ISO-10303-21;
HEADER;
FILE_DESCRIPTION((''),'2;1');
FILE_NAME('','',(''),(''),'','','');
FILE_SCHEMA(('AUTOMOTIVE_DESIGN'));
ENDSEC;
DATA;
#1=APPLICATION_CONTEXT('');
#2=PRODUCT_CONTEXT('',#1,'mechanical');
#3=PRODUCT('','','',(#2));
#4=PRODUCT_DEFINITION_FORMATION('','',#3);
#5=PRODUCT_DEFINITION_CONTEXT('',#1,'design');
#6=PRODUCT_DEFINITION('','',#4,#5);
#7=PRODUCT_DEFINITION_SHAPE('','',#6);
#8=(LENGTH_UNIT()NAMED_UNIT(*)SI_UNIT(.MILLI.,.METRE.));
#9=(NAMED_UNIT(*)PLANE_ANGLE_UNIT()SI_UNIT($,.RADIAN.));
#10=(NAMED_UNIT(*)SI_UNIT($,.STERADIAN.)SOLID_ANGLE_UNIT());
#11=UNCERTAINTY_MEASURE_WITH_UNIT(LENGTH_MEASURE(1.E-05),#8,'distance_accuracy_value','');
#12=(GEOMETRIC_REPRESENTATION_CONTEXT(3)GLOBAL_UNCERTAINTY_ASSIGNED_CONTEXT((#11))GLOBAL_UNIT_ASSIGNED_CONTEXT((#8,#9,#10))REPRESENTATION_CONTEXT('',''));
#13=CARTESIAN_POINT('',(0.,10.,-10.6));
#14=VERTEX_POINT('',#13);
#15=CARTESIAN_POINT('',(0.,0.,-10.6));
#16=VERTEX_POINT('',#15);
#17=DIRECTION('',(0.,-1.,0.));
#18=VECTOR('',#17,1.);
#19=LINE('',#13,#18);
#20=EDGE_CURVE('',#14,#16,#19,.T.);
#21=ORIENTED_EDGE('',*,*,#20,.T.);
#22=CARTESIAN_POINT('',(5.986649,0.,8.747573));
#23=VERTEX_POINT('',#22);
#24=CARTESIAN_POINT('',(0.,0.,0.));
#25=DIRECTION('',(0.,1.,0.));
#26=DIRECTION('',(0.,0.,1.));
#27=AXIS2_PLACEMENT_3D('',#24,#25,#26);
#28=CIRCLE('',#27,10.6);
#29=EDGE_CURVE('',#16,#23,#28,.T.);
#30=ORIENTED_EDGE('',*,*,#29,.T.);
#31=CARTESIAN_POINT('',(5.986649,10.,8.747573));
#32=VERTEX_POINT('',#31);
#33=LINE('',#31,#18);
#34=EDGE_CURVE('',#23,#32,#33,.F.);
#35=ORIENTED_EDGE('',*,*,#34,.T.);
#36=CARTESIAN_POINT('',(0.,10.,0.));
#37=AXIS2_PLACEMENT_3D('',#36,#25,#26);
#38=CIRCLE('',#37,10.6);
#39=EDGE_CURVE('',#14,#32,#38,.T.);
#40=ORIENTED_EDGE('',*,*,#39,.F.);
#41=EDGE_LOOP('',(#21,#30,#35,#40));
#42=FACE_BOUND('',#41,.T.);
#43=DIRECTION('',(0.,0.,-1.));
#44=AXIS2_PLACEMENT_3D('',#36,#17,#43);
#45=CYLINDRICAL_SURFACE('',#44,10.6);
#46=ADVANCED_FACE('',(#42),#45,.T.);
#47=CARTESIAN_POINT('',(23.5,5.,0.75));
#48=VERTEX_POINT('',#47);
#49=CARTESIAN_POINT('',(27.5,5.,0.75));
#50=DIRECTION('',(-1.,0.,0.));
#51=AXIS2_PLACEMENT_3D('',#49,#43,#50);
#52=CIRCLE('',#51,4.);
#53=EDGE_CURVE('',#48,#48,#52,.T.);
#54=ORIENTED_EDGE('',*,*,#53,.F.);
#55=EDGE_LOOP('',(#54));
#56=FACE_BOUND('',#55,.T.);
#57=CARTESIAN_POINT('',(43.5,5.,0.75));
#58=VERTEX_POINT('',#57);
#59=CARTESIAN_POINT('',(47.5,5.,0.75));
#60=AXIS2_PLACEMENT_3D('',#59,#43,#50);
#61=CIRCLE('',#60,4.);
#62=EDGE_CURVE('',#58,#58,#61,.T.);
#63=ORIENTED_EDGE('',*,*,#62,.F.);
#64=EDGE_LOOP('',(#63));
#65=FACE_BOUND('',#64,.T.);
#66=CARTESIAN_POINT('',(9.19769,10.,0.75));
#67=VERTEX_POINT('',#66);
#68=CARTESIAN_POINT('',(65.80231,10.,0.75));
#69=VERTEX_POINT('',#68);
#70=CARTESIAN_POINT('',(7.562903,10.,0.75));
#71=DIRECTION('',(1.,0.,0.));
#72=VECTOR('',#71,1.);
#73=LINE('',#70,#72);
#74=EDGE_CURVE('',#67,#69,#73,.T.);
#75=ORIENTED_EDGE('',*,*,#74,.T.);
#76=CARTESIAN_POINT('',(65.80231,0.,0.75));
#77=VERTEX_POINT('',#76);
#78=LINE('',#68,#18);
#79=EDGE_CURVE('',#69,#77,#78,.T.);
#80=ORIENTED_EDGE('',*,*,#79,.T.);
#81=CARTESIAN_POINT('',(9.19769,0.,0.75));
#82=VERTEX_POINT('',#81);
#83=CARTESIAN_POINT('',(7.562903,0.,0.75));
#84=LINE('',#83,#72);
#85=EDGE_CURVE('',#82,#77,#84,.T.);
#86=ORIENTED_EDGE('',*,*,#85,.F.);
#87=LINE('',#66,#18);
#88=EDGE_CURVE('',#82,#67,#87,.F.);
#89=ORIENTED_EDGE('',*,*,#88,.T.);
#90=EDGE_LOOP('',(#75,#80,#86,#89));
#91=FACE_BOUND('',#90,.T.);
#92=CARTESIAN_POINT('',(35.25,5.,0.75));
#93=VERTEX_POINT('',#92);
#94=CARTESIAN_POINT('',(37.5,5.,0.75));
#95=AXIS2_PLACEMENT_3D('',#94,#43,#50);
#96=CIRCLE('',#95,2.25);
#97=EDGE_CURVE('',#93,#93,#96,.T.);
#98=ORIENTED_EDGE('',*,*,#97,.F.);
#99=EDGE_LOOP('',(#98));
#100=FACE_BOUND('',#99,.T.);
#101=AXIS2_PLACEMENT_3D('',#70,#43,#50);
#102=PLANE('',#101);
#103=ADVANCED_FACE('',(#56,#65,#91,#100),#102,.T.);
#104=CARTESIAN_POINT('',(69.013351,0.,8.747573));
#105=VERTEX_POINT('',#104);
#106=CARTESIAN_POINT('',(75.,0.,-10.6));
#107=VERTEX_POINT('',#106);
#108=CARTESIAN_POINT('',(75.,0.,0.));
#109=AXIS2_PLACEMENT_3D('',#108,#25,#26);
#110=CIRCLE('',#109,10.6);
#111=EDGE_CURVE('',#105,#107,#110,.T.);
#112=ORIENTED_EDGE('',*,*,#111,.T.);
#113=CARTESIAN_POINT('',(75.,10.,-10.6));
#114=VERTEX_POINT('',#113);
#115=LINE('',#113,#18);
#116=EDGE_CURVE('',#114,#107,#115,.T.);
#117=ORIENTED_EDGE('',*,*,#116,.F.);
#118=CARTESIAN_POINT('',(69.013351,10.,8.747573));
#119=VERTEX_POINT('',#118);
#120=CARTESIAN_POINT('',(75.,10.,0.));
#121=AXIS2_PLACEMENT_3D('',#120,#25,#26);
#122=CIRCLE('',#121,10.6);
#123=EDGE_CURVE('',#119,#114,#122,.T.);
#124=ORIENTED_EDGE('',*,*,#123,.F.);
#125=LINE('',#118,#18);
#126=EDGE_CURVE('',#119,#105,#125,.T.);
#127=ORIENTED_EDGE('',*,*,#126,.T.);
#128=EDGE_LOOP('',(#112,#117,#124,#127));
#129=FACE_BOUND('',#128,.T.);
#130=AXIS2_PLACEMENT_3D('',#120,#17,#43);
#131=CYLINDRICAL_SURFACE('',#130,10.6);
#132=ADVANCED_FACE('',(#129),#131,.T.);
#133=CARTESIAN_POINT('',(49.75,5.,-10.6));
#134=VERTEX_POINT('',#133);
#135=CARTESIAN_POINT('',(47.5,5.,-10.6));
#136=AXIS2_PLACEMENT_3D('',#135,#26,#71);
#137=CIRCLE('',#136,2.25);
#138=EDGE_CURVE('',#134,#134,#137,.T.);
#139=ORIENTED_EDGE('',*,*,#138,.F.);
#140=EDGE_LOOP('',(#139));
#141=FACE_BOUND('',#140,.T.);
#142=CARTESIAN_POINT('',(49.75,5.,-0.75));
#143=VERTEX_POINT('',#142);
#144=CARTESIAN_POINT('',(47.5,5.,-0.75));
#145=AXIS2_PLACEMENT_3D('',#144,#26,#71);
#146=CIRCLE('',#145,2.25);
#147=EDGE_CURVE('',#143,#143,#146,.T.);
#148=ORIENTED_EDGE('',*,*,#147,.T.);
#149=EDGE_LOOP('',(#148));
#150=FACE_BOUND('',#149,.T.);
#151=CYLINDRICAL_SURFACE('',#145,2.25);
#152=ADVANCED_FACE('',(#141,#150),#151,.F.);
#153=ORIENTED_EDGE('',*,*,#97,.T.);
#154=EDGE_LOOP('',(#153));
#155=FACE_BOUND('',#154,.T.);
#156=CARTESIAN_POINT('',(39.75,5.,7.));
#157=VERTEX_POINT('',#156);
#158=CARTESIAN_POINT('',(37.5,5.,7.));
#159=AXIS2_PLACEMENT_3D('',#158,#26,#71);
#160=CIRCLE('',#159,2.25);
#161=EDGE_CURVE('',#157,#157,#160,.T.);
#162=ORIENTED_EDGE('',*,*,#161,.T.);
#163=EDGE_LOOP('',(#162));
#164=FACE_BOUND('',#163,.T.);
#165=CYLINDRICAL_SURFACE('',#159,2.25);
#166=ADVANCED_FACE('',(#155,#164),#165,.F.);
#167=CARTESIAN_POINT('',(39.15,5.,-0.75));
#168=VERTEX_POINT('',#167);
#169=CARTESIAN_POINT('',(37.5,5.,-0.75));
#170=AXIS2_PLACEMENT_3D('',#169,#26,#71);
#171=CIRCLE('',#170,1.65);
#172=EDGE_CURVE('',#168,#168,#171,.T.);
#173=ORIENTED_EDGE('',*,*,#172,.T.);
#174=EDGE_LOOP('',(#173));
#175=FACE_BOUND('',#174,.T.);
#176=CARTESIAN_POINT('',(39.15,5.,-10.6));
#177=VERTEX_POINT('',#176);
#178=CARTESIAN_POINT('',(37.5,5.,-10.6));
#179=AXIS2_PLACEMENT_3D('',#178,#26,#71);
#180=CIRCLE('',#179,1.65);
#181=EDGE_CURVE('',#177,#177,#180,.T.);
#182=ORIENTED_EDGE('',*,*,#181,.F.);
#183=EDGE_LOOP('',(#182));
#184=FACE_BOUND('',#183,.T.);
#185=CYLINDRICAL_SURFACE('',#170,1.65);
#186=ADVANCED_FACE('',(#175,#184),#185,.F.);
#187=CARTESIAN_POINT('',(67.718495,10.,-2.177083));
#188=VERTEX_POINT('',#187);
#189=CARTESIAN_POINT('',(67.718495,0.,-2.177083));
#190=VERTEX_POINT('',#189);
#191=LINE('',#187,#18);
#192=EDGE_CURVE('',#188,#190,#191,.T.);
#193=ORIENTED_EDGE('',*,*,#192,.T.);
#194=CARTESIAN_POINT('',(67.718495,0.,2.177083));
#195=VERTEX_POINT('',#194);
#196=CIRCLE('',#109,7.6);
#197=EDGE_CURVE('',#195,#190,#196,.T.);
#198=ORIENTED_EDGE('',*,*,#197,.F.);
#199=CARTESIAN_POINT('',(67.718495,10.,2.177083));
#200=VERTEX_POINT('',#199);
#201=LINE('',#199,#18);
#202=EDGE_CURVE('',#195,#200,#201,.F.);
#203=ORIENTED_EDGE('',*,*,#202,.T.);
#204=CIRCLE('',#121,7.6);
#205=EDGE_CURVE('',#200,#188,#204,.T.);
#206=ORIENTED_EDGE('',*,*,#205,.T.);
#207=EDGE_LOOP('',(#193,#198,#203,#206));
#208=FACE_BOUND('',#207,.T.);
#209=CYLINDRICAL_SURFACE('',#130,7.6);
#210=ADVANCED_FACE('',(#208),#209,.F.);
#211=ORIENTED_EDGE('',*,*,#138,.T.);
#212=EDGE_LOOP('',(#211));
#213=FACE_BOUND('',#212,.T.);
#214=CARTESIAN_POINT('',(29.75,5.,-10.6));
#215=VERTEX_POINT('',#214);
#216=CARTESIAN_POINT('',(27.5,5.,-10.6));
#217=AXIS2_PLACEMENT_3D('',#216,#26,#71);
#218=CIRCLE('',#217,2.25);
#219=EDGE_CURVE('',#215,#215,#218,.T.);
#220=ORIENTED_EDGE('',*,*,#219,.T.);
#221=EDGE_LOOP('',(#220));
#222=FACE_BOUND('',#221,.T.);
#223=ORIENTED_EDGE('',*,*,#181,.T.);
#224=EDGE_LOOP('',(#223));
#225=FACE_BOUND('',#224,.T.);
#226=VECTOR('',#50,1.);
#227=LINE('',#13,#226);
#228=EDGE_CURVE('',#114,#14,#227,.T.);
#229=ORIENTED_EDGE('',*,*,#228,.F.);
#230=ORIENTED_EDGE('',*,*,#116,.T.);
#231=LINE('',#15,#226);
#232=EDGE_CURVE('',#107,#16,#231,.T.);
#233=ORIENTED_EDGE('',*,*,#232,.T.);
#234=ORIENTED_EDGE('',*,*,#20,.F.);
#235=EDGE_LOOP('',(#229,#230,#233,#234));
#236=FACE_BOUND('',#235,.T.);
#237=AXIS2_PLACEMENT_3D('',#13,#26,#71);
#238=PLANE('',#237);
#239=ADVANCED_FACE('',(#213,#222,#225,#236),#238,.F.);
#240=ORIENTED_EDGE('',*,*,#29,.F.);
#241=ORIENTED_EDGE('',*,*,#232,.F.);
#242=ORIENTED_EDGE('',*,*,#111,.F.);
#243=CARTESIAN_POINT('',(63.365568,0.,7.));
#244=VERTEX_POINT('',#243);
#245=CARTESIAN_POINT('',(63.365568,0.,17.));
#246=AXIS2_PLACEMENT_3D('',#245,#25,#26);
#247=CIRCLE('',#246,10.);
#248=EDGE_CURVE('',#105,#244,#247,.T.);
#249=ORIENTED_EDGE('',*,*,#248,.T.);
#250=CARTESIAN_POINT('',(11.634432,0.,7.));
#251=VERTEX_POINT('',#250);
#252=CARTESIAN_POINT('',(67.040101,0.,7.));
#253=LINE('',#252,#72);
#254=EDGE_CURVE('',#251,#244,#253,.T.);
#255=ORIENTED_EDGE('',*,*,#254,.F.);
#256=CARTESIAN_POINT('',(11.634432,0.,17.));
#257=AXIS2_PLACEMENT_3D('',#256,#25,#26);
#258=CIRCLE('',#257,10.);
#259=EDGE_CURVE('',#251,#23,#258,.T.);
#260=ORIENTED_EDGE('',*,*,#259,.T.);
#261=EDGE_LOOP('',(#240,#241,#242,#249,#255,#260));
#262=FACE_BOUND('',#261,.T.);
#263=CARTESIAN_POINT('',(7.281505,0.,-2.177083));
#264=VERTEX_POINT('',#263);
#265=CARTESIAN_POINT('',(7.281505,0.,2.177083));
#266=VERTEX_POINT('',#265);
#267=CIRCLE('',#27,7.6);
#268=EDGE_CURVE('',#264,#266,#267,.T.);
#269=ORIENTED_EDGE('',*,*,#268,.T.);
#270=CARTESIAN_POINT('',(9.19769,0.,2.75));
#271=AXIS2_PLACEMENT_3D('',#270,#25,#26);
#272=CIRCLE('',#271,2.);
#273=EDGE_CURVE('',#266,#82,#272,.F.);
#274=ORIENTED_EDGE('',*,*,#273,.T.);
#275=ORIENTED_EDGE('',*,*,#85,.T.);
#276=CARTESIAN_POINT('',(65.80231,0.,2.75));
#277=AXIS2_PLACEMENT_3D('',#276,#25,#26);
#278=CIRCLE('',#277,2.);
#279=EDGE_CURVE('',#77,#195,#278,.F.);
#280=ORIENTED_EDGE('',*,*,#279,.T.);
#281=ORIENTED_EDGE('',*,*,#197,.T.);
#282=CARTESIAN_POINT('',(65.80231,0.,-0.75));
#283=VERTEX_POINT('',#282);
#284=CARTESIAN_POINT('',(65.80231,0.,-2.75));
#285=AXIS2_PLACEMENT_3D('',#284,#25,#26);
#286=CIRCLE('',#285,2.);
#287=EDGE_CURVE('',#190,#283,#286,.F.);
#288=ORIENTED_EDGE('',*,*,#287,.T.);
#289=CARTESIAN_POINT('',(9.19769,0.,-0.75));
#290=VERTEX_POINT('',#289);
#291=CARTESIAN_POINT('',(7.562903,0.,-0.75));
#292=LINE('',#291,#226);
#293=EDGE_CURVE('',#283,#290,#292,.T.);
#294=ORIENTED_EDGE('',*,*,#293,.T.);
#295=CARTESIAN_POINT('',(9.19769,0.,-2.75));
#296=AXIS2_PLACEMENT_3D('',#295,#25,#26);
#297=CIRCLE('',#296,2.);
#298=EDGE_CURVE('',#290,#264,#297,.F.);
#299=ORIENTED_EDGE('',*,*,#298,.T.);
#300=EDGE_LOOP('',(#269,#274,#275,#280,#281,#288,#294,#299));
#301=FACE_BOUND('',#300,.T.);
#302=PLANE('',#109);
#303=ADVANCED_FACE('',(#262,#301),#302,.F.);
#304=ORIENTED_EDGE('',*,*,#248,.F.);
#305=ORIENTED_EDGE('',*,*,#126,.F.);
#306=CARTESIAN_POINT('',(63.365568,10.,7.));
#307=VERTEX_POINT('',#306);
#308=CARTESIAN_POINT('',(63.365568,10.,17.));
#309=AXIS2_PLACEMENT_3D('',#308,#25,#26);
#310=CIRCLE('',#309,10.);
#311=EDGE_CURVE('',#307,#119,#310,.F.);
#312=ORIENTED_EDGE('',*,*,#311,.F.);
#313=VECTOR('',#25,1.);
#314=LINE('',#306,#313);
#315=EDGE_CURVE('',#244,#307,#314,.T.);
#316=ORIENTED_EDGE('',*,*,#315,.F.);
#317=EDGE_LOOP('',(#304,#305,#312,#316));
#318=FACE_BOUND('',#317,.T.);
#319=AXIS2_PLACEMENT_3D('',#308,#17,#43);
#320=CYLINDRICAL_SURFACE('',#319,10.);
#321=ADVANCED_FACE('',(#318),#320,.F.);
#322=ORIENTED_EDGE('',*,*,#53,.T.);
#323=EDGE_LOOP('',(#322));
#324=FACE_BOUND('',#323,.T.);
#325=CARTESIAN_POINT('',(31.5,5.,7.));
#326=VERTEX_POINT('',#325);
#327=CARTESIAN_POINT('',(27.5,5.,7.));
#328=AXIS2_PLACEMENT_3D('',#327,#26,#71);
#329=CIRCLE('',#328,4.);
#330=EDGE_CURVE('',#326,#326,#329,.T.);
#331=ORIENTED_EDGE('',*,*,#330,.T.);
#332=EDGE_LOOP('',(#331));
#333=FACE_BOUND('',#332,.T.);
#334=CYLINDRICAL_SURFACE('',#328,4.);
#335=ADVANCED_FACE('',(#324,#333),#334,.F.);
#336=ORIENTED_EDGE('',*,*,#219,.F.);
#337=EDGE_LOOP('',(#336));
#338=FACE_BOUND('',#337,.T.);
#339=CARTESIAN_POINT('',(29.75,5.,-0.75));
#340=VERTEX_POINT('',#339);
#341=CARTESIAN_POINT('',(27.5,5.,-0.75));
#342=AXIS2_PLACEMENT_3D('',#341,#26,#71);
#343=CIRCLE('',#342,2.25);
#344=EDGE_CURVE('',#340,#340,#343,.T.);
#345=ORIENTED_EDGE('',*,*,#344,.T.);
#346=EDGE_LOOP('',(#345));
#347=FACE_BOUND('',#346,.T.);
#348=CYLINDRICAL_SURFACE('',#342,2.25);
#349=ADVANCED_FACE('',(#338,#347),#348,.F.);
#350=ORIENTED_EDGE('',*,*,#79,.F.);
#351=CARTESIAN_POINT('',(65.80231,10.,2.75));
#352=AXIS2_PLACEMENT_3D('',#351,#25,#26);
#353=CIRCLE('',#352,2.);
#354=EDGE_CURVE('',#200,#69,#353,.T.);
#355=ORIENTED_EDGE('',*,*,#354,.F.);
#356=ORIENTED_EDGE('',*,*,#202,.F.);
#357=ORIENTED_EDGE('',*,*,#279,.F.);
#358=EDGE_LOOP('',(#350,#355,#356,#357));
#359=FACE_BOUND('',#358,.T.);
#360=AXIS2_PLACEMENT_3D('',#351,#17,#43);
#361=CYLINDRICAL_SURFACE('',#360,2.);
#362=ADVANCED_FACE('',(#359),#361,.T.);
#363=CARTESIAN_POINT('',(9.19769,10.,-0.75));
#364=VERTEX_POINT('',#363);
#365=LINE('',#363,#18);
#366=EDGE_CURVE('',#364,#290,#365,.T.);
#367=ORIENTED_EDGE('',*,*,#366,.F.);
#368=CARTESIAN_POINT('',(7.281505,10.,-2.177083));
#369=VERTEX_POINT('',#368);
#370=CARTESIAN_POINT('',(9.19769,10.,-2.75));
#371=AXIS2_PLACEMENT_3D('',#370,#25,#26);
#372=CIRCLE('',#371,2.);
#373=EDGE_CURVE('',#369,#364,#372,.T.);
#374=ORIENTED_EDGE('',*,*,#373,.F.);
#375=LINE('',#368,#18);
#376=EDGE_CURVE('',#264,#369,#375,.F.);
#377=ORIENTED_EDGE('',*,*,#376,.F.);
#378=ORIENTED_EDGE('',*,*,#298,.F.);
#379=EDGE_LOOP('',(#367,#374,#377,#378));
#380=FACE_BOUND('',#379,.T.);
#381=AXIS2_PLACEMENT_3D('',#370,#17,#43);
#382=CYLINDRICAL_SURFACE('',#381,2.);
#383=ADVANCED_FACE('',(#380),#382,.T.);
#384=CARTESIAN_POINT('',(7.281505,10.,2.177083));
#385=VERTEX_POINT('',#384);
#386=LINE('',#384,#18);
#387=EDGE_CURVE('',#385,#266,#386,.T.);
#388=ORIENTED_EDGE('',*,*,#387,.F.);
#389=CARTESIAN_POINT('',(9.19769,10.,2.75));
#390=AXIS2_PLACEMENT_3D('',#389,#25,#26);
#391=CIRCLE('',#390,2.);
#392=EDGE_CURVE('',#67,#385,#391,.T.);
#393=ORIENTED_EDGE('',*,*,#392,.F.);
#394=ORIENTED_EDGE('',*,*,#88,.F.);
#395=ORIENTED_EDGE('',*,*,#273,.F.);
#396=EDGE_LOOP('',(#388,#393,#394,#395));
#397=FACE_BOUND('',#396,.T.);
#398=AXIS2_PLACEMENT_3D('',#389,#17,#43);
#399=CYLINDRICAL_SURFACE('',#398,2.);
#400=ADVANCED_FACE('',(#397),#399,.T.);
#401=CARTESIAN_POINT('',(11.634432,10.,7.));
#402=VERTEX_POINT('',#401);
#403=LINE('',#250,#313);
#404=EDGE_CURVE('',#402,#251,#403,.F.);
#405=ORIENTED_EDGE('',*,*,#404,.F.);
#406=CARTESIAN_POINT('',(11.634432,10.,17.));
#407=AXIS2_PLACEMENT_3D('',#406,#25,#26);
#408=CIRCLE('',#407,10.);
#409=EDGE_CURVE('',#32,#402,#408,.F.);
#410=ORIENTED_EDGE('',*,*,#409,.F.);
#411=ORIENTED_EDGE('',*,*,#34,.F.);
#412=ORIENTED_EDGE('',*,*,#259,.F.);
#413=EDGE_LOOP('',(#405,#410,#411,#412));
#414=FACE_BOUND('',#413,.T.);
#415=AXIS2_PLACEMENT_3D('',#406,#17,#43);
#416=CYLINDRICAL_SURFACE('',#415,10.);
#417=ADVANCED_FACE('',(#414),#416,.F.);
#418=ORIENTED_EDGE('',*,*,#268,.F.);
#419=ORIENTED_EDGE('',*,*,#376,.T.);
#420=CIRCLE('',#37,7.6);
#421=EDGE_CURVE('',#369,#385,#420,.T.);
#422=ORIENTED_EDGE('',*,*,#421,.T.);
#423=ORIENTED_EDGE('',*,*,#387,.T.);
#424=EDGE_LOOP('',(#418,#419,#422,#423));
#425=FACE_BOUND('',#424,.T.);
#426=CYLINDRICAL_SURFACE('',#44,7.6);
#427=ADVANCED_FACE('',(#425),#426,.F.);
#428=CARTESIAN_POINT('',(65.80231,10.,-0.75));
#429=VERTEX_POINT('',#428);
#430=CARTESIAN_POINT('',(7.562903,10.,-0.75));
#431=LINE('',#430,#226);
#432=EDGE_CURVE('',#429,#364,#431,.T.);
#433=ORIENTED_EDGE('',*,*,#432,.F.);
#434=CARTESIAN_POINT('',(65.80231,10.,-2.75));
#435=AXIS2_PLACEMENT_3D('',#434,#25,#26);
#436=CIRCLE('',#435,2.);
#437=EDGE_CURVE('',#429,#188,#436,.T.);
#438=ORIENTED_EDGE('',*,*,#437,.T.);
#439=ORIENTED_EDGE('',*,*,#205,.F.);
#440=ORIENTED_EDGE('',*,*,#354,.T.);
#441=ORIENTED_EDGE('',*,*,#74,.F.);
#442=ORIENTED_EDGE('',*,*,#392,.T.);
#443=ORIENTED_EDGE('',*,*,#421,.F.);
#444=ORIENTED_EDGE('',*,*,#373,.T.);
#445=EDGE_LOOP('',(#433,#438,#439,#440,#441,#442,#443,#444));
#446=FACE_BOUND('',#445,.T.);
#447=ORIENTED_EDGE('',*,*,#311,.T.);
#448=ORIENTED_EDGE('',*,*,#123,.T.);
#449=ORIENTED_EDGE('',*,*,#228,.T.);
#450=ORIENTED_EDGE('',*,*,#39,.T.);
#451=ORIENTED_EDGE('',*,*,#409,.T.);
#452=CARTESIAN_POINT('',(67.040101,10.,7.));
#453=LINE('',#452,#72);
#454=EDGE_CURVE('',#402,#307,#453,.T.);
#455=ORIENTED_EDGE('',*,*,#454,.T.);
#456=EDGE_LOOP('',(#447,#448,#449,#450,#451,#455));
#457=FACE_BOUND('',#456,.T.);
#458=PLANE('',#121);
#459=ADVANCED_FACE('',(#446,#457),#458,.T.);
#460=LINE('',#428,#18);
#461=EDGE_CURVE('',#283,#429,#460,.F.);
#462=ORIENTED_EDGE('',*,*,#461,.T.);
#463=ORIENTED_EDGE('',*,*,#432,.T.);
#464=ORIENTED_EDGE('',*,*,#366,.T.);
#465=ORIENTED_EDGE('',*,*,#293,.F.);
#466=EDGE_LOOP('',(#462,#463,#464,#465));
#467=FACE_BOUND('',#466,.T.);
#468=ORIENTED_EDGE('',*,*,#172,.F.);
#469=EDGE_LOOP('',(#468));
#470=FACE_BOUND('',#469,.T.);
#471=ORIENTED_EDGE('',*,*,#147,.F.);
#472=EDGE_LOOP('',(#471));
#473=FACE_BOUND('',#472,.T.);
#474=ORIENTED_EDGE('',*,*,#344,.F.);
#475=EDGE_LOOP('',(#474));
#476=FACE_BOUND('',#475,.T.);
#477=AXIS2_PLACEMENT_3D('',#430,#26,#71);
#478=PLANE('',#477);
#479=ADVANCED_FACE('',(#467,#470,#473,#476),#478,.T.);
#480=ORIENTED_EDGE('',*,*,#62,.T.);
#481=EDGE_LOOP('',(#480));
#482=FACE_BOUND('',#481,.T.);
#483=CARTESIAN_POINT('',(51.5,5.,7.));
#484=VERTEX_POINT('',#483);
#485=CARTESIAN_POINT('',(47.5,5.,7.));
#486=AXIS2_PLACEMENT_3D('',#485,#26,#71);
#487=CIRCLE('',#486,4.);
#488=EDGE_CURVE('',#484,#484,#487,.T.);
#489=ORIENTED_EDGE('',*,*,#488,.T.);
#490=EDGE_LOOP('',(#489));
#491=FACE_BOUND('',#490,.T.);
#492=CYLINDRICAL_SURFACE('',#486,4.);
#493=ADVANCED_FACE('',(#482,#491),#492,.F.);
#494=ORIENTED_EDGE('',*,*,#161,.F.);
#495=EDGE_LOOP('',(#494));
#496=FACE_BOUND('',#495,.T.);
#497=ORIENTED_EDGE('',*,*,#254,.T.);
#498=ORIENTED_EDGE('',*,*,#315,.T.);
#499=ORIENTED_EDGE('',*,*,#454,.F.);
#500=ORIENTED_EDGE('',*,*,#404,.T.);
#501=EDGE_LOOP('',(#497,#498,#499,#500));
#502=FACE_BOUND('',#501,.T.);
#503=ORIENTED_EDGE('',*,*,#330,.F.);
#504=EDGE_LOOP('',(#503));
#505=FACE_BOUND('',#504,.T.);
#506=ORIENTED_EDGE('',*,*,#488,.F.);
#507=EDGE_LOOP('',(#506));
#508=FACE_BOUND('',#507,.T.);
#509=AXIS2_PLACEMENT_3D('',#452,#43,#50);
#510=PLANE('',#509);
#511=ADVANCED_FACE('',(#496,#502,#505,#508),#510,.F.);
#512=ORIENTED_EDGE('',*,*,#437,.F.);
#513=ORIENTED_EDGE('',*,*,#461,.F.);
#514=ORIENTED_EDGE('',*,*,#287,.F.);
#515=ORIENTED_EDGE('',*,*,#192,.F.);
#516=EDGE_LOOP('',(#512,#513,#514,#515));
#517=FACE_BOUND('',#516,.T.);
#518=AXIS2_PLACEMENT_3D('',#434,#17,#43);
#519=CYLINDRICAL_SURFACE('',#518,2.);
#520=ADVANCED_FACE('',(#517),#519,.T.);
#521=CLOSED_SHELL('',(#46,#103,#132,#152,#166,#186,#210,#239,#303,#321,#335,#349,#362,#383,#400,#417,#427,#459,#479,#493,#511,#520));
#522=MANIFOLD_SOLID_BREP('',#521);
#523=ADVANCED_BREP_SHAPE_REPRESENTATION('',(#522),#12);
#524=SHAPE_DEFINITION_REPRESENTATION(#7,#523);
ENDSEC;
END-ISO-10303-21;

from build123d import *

# Parameters (mm, degrees)
EXTRUDE_1_DEPTH           = 10
HOLE_WIZARD_8_0_8_1_D     = 8
HOLE_WIZARD_8_0_8_1_DEPTH = 6.25
HOLE_WIZARD_M41_D         = 4.5
HOLE_WIZARD_M41_DEPTH     = 11
HOLE_WIZARD_M41_TIP       = 1.351936393
HOLE_WIZARD_M42_D         = 4.5
HOLE_WIZARD_M42_DEPTH     = 6.25
M4X0_72_D                 = 3.3
FILLET_2_R                = 10
FILLET_3_R                = 2


with BuildPart() as part:
    # Эскиз1 → Бобышка-Вытянуть1 (new body)
    with BuildSketch(Plane(origin=(0, 0, 0), x_dir=(1, 0, 0), z_dir=(0, 1, 0))):
        with BuildLine():
            Line((67.040100503, -7), (7.959899497, -7))
            ThreePointArc((7.959899497, -7), (-9.658157174, -4.368065934), (0, 10.6))
            Line((0, 10.6), (75, 10.6))
            ThreePointArc((75, 10.6), (84.658157174, -4.368065934), (67.040100503, -7))
        make_face()
        with BuildLine():
            Line((7.562902882, -0.75), (67.437097118, -0.75))
            ThreePointArc((67.437097118, -0.75), (82.6, 0), (67.437097118, 0.75))
            Line((67.437097118, 0.75), (7.562902882, 0.75))
            ThreePointArc((7.562902882, 0.75), (-7.6, 0), (7.562902882, -0.75))
        make_face(mode=Mode.SUBTRACT)
    extrude(amount=EXTRUDE_1_DEPTH)

    # Диаметр отверстия Ø8.0 (8)1
    with Locations(Plane.XY.offset(7)):
        with Locations((27.5, 5), (47.5, 5)):
            Hole(HOLE_WIZARD_8_0_8_1_D / 2, depth=HOLE_WIZARD_8_0_8_1_DEPTH)

    # Отверстие с зазором M41
    with Locations(Plane.XY.offset(-0.75)):
        with Locations((47.5, 5), (27.5, 5)):
            Hole(HOLE_WIZARD_M41_D / 2, depth=HOLE_WIZARD_M41_DEPTH)
            with Locations((0, 0, -(HOLE_WIZARD_M41_DEPTH + HOLE_WIZARD_M41_TIP / 2))):  # 118° drill point
                Cone(0, HOLE_WIZARD_M41_D / 2, HOLE_WIZARD_M41_TIP, mode=Mode.SUBTRACT)

    # Отверстие с зазором M42
    with Locations(Plane.XY.offset(7)):
        with Locations((37.5, 5)):
            Hole(HOLE_WIZARD_M42_D / 2, depth=HOLE_WIZARD_M42_DEPTH)

    # Отверстие обработанное метчиком M4x0.72 (through all)
    with Locations(Plane.XY.offset(-0.75)):
        with Locations((37.5, 5)):
            Hole(M4X0_72_D / 2)

    # Скругление2
    fillet_2_edges = [part.edges().sort_by_distance(p)[0] for p in [
        (67.040100503, 5, 7),
        (7.959899497, 5, 7),
    ]]
    fillet(fillet_2_edges, radius=FILLET_2_R)

    # Скругление3
    fillet_3_edges = [part.edges().sort_by_distance(p)[0] for p in [
        (7.562902882, 5, -0.75),
        (7.562902882, 5, 0.75),
        (67.437097118, 5, 0.75),
        (67.437097118, 5, -0.75),
    ]]
    fillet(fillet_3_edges, radius=FILLET_3_R)


solid = part.part
